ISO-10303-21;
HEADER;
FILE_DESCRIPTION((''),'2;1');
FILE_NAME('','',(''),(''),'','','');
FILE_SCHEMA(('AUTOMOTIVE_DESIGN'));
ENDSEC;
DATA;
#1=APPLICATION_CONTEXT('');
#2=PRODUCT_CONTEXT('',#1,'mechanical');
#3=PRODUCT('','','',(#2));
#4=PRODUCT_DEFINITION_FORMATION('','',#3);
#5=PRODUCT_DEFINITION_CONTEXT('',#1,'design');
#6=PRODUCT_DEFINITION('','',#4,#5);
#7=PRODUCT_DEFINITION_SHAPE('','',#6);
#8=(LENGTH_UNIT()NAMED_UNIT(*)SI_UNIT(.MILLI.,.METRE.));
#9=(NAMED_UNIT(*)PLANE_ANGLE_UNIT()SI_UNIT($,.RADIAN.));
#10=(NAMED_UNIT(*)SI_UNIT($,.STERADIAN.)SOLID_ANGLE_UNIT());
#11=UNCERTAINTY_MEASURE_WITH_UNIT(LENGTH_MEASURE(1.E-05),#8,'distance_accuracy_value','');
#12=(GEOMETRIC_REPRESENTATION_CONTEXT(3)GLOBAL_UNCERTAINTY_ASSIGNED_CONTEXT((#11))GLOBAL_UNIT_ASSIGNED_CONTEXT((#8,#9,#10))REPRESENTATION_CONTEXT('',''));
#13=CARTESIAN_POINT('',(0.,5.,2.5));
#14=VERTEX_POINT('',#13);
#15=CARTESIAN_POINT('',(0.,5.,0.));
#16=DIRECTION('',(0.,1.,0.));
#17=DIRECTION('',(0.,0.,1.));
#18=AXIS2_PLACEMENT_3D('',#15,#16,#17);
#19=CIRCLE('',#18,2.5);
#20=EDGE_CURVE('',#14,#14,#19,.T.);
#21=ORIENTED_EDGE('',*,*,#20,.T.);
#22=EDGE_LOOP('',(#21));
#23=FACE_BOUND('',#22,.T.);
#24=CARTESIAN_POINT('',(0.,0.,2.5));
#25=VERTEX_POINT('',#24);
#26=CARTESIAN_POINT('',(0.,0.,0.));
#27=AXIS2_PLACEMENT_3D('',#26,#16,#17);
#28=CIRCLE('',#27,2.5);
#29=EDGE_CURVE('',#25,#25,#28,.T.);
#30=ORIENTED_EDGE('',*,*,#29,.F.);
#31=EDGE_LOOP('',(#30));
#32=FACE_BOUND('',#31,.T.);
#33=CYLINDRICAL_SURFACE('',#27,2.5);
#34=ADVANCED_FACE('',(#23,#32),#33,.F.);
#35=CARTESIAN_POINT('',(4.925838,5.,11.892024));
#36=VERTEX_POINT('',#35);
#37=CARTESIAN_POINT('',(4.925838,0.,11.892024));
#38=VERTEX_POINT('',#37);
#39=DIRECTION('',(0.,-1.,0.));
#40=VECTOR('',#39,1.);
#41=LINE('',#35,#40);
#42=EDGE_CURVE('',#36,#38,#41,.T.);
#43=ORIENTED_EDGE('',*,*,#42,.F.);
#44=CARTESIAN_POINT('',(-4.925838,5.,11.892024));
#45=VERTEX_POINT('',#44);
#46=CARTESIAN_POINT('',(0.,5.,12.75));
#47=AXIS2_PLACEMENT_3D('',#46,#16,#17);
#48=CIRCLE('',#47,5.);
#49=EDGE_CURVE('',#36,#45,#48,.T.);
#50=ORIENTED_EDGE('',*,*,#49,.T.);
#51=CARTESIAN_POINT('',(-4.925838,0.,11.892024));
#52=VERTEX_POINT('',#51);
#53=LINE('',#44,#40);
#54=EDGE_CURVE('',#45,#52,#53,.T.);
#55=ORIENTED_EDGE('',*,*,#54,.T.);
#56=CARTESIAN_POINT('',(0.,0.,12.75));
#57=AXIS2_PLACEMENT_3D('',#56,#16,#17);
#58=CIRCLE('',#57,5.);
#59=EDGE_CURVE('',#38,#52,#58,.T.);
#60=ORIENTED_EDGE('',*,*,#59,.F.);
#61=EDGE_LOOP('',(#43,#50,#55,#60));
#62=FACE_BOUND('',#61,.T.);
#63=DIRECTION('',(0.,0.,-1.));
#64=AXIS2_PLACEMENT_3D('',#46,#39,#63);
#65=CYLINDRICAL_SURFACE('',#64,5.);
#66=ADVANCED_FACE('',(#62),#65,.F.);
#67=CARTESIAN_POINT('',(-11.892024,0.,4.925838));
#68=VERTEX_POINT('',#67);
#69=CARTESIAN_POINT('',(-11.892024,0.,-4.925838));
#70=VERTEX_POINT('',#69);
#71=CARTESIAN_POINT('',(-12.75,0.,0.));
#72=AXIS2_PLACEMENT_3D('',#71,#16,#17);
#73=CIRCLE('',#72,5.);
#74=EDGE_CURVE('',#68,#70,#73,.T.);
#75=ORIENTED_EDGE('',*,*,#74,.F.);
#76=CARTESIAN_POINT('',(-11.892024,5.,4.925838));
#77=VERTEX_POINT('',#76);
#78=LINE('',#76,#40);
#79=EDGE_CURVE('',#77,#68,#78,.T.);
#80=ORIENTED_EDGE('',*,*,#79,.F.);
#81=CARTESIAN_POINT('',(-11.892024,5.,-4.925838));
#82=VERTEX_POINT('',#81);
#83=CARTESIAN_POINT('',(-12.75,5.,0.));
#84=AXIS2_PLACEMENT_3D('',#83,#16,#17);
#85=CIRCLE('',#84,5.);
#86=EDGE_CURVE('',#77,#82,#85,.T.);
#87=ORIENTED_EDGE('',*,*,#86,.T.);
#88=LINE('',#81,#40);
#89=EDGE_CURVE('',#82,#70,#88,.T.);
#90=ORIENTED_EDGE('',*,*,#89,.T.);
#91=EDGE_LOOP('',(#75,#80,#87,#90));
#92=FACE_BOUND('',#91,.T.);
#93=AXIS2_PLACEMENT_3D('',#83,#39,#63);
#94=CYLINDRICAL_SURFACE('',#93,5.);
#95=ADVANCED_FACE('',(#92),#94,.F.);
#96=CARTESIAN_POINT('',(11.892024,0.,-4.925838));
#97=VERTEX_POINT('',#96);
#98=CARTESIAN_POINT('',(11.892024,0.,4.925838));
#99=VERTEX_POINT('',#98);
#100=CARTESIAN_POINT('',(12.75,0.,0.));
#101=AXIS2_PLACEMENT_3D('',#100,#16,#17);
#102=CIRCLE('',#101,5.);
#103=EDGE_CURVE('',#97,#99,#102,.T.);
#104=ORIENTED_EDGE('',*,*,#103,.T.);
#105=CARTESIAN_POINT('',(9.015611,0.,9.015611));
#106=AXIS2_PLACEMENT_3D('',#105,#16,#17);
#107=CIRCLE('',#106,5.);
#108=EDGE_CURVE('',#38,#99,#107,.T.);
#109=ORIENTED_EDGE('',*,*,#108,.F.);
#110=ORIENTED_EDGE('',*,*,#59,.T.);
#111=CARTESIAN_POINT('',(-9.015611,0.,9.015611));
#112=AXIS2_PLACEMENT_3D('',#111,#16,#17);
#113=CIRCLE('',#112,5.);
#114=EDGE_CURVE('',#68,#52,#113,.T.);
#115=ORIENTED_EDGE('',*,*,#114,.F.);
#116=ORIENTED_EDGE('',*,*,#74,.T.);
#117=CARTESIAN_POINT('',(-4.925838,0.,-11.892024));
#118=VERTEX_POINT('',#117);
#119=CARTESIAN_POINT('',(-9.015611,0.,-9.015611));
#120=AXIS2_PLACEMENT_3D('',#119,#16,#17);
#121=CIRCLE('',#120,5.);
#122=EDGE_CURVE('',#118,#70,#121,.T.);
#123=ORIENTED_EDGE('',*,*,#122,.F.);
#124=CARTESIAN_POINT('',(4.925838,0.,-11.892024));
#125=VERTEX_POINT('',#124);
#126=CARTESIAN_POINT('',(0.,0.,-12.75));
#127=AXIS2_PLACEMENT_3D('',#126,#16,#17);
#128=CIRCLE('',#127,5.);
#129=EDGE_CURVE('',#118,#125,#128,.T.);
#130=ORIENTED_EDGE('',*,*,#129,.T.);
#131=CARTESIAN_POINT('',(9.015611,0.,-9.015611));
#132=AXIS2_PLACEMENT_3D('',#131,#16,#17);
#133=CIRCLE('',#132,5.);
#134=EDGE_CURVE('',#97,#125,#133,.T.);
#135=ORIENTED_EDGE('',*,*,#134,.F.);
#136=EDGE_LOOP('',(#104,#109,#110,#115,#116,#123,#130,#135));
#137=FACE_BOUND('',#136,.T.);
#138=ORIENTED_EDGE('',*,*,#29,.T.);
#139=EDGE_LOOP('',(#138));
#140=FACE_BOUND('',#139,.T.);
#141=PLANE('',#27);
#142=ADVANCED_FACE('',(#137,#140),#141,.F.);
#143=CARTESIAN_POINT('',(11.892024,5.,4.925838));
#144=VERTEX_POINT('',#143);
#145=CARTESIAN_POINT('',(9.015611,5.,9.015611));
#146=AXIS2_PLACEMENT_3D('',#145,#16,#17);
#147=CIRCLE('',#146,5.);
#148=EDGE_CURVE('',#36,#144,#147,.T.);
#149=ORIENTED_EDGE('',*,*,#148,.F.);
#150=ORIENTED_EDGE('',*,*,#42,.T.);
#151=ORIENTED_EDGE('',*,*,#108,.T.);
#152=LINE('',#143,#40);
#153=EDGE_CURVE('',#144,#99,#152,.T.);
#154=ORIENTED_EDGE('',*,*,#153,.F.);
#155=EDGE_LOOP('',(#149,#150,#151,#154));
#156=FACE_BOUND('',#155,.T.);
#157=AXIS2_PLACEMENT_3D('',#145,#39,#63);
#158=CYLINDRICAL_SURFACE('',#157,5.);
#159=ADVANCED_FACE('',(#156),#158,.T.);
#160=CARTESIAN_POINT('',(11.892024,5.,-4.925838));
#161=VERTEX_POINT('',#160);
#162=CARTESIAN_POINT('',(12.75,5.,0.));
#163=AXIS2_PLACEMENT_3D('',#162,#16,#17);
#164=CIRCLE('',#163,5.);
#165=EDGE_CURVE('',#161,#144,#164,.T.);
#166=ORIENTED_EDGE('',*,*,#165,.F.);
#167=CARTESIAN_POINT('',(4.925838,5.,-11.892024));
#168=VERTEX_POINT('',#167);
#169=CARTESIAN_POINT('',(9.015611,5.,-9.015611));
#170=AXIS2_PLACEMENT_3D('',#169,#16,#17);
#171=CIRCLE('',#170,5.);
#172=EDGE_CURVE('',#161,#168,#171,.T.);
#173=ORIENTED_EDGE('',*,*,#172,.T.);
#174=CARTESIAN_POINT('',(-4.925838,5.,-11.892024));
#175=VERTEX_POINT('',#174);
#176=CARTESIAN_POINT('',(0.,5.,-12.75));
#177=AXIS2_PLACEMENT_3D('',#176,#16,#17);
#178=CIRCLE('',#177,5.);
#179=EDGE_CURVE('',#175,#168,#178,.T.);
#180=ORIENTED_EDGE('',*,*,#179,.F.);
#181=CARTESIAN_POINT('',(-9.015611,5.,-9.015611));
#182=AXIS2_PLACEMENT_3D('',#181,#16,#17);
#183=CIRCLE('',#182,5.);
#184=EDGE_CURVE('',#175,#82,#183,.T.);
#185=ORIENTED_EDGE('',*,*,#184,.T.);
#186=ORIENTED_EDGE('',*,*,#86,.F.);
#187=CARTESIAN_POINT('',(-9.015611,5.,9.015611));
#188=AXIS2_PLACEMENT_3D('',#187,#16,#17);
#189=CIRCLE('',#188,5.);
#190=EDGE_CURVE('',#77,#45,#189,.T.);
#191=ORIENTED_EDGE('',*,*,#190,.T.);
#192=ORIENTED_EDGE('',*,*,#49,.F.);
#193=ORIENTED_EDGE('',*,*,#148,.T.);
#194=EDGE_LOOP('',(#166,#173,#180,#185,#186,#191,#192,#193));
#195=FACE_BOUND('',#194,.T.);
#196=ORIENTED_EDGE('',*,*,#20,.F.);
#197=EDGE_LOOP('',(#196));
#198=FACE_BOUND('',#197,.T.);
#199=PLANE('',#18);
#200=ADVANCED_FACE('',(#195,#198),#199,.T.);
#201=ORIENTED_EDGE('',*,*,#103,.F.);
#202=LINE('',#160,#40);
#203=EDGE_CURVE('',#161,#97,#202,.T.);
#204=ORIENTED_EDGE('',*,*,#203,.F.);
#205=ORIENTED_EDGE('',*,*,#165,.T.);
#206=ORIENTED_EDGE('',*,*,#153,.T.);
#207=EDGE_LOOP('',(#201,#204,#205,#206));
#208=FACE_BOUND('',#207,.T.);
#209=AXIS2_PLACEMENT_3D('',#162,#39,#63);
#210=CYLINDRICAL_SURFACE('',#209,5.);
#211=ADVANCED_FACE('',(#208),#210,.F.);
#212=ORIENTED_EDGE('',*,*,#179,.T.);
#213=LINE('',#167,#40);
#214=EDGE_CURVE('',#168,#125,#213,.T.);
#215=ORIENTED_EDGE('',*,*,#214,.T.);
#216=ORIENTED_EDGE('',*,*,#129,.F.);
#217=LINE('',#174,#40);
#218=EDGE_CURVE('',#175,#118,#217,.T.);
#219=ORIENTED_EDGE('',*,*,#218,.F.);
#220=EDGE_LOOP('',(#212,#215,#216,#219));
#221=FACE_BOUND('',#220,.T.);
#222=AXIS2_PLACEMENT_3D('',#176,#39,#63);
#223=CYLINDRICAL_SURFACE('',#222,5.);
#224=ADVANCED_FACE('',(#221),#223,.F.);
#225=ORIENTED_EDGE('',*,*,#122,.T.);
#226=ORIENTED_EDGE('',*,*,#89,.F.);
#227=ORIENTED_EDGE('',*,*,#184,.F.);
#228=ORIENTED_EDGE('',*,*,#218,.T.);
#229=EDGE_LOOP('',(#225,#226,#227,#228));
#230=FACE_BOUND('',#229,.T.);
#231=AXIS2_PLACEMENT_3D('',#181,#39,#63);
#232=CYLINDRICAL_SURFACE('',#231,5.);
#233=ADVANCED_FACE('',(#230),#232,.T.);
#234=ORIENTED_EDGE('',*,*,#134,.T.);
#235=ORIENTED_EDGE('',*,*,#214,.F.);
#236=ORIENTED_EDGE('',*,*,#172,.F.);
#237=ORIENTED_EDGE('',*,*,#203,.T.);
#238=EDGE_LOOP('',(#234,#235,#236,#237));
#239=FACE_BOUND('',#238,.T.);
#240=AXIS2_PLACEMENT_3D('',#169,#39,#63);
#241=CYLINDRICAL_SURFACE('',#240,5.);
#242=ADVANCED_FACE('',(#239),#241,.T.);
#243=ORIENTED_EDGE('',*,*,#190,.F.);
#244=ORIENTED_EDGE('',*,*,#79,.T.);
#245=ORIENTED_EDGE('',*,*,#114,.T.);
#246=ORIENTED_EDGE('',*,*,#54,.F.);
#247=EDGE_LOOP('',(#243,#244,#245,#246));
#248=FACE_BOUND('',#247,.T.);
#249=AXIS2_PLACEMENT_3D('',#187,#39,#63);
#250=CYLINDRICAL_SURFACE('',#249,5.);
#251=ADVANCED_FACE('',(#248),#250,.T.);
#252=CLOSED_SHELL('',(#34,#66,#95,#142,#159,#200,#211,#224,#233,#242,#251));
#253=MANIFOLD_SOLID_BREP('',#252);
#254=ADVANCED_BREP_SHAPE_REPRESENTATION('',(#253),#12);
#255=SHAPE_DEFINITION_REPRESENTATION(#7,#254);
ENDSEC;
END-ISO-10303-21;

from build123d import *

# Parameters (mm, degrees)
BOSS_EXTRUDE1_DEPTH = 5
SKETCH2_R           = 2.5
CUT_EXTRUDE1_DEPTH  = 5


with BuildPart() as part:
    # Sketch1 → Boss-Extrude1 (new body)
    with BuildSketch(Plane(origin=(0, 0, 0), x_dir=(1, 0, 0), z_dir=(0, 1, 0))):
        with BuildLine():
            ThreePointArc((11.892024371, 4.925837778), (12.551145366, 12.551145366), (4.925837778, 11.892024371))
            ThreePointArc((4.925837778, 11.892024371), (0, 7.75), (-4.925837778, 11.892024371))
            ThreePointArc((-4.925837778, 11.892024371), (-12.551145366, 12.551145366), (-11.892024371, 4.925837778))
            ThreePointArc((-11.892024371, 4.925837778), (-7.75, 0), (-11.892024371, -4.925837778))
            ThreePointArc((-11.892024371, -4.925837778), (-12.551145366, -12.551145366), (-4.925837778, -11.892024371))
            ThreePointArc((-4.925837778, -11.892024371), (0, -7.75), (4.925837778, -11.892024371))
            ThreePointArc((4.925837778, -11.892024371), (12.551145366, -12.551145366), (11.892024371, -4.925837778))
            ThreePointArc((11.892024371, -4.925837778), (7.75, 0), (11.892024371, 4.925837778))
        make_face()
    extrude(amount=BOSS_EXTRUDE1_DEPTH)

    # Sketch2 → Cut-Extrude1 (cut)
    with BuildSketch(Plane(origin=(0, 5, 0), x_dir=(1, 0, 0), z_dir=(0, 1, 0))):
        Circle(SKETCH2_R)
    extrude(amount=-CUT_EXTRUDE1_DEPTH, mode=Mode.SUBTRACT)


solid = part.part
